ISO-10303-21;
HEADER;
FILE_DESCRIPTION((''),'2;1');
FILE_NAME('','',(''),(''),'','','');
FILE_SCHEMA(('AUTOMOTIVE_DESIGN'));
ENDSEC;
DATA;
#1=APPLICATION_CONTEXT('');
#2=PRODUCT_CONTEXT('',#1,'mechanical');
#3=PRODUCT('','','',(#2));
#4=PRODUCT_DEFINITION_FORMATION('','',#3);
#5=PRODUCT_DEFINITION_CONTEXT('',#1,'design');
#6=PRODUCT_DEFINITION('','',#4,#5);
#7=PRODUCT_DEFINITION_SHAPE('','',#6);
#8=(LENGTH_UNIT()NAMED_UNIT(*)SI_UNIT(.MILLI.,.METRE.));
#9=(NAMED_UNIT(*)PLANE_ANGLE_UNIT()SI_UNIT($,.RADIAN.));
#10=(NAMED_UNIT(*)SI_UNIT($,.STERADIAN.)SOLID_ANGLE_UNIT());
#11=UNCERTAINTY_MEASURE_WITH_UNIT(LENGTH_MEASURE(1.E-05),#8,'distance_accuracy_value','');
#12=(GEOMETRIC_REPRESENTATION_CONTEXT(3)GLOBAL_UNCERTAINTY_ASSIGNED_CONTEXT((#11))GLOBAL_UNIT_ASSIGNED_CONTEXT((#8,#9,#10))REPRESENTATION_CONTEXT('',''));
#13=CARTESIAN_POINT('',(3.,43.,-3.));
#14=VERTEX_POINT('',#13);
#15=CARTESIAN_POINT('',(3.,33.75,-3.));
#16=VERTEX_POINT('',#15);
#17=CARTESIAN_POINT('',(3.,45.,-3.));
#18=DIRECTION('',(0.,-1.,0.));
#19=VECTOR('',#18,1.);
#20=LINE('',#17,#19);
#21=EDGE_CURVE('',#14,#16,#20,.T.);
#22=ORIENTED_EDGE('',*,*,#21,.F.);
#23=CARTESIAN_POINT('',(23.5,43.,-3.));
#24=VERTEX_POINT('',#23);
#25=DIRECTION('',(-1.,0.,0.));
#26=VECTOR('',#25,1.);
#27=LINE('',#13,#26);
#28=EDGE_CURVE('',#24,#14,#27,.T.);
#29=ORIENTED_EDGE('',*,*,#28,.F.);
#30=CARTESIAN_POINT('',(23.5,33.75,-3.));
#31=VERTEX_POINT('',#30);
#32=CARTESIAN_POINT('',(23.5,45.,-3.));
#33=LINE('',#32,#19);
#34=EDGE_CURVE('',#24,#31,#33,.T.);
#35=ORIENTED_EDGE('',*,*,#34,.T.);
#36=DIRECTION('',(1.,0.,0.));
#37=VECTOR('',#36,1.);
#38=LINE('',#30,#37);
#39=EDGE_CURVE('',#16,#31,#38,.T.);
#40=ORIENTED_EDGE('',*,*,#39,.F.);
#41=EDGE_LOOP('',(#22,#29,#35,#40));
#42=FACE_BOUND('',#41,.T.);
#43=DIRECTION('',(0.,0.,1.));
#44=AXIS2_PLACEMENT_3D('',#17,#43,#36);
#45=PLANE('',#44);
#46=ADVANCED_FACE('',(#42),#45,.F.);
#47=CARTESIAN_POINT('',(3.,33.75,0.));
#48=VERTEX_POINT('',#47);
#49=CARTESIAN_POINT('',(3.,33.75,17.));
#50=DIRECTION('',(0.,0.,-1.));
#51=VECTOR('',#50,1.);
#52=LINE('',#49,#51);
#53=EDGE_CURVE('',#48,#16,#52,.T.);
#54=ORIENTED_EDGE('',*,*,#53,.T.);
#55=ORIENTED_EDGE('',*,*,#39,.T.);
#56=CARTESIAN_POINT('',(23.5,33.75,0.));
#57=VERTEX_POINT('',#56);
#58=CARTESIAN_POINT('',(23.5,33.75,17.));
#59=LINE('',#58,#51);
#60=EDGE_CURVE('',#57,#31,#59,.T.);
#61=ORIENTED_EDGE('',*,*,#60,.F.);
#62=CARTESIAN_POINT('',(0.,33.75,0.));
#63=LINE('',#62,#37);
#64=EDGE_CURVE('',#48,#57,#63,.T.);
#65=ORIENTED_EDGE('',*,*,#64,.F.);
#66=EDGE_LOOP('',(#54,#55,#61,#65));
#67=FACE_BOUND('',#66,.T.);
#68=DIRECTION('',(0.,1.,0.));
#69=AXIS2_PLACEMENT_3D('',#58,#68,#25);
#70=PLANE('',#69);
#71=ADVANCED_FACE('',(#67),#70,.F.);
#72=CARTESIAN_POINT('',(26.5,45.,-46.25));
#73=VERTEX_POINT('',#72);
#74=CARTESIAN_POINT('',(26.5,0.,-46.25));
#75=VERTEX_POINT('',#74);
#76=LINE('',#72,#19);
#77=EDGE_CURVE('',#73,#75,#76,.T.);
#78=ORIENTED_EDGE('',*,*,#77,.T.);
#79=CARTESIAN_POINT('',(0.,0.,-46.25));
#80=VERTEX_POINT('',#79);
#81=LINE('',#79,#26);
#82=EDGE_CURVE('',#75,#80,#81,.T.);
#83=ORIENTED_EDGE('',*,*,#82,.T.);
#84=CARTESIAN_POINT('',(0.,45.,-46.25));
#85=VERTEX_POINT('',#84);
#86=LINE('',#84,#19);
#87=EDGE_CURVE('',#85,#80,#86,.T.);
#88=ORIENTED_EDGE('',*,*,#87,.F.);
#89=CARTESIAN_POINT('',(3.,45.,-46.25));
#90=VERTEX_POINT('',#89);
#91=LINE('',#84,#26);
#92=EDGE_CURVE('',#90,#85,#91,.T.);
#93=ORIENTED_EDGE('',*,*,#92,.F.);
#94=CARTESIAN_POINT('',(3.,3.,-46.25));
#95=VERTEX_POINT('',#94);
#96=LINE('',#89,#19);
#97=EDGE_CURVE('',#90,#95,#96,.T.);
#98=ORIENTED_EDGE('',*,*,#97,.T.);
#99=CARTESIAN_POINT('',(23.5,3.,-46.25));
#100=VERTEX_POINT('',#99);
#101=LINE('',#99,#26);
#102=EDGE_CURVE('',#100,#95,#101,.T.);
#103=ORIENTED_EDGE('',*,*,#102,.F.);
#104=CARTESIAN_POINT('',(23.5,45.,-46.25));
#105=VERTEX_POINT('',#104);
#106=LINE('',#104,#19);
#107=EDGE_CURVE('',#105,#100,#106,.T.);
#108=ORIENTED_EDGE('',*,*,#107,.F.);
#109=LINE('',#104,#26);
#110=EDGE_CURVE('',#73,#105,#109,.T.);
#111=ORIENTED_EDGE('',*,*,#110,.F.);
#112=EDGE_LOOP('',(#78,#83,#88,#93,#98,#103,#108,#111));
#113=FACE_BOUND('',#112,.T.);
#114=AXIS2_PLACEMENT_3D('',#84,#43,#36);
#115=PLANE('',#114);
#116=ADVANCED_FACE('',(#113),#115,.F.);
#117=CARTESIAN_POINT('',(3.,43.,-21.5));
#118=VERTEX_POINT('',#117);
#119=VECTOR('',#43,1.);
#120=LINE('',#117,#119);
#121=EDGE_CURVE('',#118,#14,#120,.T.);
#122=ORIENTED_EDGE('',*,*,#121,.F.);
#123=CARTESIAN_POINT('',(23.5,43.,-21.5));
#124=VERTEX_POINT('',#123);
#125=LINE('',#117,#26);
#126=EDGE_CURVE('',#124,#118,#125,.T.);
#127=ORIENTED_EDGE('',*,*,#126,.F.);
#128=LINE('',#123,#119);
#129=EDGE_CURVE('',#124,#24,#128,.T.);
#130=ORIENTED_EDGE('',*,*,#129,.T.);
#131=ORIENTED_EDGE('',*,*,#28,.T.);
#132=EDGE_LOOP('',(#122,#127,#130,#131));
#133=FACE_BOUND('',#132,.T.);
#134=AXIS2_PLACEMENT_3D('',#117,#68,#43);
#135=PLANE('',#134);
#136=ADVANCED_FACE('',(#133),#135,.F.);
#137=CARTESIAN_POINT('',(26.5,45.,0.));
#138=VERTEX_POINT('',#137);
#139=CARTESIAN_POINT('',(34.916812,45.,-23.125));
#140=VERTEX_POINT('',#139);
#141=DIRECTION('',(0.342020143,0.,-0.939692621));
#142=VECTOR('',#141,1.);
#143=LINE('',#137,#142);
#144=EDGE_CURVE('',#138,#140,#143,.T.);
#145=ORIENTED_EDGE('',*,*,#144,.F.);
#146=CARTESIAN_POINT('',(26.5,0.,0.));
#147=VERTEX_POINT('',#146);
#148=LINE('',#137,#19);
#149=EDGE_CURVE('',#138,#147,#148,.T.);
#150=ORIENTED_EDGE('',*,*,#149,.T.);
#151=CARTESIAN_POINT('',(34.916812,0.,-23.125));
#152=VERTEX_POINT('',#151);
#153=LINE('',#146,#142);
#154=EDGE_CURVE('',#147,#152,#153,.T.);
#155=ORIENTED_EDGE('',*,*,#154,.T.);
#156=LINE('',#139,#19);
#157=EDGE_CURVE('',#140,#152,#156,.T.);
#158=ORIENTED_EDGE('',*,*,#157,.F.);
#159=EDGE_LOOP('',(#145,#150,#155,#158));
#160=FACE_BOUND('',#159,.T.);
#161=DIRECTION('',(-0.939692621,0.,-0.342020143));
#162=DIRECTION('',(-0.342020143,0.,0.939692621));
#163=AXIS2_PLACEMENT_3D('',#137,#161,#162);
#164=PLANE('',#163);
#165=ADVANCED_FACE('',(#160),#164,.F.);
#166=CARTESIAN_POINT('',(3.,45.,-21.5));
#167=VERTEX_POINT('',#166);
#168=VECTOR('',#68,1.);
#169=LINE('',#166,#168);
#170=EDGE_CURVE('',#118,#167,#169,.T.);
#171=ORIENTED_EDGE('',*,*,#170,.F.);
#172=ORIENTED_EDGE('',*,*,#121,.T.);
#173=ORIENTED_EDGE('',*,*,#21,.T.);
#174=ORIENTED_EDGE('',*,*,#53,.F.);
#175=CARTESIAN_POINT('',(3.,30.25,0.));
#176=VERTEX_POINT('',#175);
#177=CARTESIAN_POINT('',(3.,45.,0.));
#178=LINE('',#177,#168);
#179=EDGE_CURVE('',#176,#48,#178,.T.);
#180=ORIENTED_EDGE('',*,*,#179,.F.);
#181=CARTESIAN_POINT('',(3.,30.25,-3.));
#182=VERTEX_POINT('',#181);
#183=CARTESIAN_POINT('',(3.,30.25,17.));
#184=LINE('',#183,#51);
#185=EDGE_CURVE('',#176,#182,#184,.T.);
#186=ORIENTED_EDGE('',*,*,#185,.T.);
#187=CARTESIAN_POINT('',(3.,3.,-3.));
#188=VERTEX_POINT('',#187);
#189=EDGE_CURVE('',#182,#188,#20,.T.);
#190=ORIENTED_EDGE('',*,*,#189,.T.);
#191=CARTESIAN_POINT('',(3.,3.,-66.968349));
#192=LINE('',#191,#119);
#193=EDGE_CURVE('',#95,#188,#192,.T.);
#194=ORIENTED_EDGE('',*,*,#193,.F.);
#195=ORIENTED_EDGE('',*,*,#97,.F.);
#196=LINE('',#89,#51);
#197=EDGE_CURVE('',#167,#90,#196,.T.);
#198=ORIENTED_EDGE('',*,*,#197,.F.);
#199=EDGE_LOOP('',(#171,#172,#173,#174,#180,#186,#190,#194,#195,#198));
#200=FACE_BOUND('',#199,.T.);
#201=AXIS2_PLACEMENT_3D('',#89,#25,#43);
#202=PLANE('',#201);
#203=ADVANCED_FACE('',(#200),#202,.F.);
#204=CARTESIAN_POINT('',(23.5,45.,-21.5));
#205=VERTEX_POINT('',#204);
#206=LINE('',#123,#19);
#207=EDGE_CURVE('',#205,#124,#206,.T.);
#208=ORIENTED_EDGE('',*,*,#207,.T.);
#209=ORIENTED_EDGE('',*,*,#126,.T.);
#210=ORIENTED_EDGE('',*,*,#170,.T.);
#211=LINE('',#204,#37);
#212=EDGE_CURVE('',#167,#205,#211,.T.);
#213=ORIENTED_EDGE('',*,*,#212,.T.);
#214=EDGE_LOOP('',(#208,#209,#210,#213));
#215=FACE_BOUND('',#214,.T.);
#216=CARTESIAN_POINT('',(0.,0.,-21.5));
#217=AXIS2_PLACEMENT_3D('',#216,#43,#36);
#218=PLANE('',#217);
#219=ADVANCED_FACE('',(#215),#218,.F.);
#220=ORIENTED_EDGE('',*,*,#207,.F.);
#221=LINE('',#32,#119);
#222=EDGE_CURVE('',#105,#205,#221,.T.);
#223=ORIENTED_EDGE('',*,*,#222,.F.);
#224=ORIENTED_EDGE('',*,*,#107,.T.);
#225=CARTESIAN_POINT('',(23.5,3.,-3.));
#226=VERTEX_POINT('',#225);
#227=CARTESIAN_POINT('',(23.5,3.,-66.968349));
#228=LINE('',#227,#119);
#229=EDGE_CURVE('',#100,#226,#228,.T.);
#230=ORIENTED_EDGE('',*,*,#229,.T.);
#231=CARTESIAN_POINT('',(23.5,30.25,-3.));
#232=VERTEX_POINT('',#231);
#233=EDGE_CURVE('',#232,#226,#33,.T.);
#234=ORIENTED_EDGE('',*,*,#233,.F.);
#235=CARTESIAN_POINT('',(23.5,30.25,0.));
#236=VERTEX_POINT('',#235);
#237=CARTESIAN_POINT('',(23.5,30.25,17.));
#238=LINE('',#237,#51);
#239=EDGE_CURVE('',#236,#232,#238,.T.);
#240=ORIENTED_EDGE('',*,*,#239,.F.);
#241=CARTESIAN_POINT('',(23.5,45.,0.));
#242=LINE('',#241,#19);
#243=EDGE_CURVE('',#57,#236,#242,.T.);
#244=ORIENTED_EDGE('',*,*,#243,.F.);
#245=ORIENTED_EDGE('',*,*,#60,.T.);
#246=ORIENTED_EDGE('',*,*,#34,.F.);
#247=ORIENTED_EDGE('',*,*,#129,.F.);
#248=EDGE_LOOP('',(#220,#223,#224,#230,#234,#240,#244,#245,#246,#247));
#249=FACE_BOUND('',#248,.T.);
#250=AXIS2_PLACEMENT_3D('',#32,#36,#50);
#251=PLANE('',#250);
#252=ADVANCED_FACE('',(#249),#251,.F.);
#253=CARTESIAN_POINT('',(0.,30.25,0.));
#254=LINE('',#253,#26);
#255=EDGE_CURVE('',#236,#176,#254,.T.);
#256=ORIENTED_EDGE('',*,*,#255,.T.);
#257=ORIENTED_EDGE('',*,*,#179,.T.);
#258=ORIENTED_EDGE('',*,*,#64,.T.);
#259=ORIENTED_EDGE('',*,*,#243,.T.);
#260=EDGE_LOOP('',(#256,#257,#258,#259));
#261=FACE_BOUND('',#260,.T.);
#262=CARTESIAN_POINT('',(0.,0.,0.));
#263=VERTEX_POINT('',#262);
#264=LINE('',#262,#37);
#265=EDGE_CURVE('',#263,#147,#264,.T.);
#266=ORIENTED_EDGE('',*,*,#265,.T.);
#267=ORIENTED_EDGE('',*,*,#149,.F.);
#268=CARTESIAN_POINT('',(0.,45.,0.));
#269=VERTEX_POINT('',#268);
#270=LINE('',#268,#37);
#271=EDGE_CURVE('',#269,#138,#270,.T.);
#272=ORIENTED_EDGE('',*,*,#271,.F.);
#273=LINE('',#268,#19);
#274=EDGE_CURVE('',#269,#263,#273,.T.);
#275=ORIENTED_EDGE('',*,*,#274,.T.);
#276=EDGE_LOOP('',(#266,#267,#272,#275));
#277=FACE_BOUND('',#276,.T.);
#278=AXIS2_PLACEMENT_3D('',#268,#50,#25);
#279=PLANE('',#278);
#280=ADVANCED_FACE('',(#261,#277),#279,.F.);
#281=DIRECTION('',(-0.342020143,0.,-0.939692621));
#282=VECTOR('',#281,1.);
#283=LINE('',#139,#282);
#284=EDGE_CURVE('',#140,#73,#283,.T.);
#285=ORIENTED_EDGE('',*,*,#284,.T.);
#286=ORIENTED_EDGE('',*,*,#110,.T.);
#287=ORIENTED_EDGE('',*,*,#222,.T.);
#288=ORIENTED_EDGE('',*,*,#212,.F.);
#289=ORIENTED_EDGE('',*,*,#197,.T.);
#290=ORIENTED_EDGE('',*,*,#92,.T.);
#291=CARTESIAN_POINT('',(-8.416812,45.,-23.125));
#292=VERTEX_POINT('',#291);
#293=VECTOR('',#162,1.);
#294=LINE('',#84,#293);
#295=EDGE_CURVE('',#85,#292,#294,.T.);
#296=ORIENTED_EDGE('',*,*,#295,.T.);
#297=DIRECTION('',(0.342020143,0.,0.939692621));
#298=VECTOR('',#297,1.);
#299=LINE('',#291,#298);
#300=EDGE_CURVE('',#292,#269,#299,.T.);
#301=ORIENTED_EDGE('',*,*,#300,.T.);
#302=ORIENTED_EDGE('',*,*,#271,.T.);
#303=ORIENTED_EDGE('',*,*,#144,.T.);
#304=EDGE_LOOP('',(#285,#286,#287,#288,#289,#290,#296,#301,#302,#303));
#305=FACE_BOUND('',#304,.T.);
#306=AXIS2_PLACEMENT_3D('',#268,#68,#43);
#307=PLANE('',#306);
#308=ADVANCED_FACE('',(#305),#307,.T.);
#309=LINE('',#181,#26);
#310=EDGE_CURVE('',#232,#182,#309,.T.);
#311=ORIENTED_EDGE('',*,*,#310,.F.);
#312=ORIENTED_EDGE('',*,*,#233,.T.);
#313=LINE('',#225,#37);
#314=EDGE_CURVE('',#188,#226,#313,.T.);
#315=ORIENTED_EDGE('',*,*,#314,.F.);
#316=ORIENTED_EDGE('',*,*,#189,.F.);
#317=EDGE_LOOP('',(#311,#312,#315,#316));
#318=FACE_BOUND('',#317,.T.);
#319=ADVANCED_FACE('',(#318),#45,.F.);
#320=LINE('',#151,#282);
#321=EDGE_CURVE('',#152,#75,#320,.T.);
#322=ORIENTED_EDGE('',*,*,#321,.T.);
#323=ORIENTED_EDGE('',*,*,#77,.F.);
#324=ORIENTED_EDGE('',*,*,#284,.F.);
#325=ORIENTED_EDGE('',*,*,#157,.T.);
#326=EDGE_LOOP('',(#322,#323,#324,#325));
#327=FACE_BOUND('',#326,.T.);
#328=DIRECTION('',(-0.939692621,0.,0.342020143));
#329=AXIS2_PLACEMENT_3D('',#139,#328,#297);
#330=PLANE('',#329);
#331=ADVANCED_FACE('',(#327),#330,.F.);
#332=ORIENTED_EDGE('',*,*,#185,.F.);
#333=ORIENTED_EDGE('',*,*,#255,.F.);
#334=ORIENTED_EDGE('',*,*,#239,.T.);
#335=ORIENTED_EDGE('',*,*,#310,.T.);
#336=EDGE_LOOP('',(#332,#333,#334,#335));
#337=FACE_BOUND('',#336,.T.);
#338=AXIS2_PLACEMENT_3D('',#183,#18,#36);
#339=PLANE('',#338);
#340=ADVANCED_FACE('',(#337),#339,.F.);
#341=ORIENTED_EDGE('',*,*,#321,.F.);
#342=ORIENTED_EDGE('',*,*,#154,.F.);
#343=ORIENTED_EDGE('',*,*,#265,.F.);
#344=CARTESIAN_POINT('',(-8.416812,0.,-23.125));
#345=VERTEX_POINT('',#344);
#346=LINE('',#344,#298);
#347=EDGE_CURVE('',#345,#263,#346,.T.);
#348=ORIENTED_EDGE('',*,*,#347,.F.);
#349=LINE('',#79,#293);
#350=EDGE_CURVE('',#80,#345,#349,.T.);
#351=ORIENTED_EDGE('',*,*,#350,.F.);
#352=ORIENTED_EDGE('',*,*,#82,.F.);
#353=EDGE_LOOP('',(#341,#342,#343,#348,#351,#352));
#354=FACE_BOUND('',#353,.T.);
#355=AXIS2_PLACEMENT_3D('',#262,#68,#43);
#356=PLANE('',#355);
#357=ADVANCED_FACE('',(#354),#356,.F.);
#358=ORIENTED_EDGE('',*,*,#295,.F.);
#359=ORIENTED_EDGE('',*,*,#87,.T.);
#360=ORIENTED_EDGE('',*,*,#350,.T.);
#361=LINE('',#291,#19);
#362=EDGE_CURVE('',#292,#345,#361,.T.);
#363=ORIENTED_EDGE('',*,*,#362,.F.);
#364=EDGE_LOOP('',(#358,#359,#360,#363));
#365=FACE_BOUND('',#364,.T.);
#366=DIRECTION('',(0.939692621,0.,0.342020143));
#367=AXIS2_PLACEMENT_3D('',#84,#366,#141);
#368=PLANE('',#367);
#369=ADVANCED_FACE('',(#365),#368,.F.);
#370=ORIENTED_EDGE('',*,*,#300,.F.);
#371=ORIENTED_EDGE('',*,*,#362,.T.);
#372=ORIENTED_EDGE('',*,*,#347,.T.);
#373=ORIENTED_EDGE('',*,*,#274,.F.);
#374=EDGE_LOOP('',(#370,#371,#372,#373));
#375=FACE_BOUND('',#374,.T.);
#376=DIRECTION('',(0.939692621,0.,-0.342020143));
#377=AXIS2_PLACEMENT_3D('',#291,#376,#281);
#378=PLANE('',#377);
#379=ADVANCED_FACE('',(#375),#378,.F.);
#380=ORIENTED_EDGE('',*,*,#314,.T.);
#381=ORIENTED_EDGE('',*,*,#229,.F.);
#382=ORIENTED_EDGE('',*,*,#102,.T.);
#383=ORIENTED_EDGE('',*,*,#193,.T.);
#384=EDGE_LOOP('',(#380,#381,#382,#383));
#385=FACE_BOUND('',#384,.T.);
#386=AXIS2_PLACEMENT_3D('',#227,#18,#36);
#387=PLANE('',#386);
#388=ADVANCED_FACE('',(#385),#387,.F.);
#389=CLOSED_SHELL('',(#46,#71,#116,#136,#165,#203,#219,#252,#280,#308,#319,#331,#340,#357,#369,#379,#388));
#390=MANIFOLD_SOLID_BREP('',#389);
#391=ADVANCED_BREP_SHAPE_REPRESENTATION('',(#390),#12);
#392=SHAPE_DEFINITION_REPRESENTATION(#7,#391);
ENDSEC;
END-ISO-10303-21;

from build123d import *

# Parameters (mm, degrees)
BOSS_EXTRUDE1_DEPTH = 45
SKETCH2_W           = 20.5
SKETCH2_H           = 2
BOSS_EXTRUDE2_DEPTH = 18.5
SKETCH3_W           = 20.5
SKETCH3_H           = 3.5
CUT_EXTRUDE1_DEPTH  = 20
SKETCH4_W           = 20.5
SKETCH4_H           = 3
BOSS_EXTRUDE3_DEPTH = 43.25


with BuildPart() as part:
    # Sketch1 → Boss-Extrude1 (new body)
    with BuildSketch(Plane(origin=(0, 0, 0), x_dir=(1, 0, 0), z_dir=(0, 1, 0))):
        Polygon((0, 0), (26.5, 0), (34.916811667, 23.125), (26.5, 46.25), (23.5, 46.25), (23.5, 3), (3, 3), (3, 46.25), (0, 46.25), (-8.416811667, 23.125), align=None)
    extrude(amount=BOSS_EXTRUDE1_DEPTH)

    # Sketch2 → Boss-Extrude2 (add)
    with BuildSketch(Plane(origin=(0, 0, -3), x_dir=(-1, 0, 0), z_dir=(0, 0, -1))):
        with Locations((-13.25, 44)):
            Rectangle(SKETCH2_W, SKETCH2_H)
    extrude(amount=BOSS_EXTRUDE2_DEPTH)

    # Sketch3 → Cut-Extrude1 (cut)
    with BuildSketch(Plane(origin=(0, 0, -3), x_dir=(-1, 0, 0), z_dir=(0, 0, -1))):
        with Locations((-13.25, 32)):
            Rectangle(SKETCH3_W, SKETCH3_H)
    extrude(amount=-CUT_EXTRUDE1_DEPTH, mode=Mode.SUBTRACT)

    # Sketch4 → Boss-Extrude3 (add)
    with BuildSketch(Plane(origin=(0, 0, -3), x_dir=(-1, 0, 0), z_dir=(0, 0, -1))):
        with Locations((-13.25, 1.5)):
            Rectangle(SKETCH4_W, SKETCH4_H)
    extrude(amount=BOSS_EXTRUDE3_DEPTH)


solid = part.part
